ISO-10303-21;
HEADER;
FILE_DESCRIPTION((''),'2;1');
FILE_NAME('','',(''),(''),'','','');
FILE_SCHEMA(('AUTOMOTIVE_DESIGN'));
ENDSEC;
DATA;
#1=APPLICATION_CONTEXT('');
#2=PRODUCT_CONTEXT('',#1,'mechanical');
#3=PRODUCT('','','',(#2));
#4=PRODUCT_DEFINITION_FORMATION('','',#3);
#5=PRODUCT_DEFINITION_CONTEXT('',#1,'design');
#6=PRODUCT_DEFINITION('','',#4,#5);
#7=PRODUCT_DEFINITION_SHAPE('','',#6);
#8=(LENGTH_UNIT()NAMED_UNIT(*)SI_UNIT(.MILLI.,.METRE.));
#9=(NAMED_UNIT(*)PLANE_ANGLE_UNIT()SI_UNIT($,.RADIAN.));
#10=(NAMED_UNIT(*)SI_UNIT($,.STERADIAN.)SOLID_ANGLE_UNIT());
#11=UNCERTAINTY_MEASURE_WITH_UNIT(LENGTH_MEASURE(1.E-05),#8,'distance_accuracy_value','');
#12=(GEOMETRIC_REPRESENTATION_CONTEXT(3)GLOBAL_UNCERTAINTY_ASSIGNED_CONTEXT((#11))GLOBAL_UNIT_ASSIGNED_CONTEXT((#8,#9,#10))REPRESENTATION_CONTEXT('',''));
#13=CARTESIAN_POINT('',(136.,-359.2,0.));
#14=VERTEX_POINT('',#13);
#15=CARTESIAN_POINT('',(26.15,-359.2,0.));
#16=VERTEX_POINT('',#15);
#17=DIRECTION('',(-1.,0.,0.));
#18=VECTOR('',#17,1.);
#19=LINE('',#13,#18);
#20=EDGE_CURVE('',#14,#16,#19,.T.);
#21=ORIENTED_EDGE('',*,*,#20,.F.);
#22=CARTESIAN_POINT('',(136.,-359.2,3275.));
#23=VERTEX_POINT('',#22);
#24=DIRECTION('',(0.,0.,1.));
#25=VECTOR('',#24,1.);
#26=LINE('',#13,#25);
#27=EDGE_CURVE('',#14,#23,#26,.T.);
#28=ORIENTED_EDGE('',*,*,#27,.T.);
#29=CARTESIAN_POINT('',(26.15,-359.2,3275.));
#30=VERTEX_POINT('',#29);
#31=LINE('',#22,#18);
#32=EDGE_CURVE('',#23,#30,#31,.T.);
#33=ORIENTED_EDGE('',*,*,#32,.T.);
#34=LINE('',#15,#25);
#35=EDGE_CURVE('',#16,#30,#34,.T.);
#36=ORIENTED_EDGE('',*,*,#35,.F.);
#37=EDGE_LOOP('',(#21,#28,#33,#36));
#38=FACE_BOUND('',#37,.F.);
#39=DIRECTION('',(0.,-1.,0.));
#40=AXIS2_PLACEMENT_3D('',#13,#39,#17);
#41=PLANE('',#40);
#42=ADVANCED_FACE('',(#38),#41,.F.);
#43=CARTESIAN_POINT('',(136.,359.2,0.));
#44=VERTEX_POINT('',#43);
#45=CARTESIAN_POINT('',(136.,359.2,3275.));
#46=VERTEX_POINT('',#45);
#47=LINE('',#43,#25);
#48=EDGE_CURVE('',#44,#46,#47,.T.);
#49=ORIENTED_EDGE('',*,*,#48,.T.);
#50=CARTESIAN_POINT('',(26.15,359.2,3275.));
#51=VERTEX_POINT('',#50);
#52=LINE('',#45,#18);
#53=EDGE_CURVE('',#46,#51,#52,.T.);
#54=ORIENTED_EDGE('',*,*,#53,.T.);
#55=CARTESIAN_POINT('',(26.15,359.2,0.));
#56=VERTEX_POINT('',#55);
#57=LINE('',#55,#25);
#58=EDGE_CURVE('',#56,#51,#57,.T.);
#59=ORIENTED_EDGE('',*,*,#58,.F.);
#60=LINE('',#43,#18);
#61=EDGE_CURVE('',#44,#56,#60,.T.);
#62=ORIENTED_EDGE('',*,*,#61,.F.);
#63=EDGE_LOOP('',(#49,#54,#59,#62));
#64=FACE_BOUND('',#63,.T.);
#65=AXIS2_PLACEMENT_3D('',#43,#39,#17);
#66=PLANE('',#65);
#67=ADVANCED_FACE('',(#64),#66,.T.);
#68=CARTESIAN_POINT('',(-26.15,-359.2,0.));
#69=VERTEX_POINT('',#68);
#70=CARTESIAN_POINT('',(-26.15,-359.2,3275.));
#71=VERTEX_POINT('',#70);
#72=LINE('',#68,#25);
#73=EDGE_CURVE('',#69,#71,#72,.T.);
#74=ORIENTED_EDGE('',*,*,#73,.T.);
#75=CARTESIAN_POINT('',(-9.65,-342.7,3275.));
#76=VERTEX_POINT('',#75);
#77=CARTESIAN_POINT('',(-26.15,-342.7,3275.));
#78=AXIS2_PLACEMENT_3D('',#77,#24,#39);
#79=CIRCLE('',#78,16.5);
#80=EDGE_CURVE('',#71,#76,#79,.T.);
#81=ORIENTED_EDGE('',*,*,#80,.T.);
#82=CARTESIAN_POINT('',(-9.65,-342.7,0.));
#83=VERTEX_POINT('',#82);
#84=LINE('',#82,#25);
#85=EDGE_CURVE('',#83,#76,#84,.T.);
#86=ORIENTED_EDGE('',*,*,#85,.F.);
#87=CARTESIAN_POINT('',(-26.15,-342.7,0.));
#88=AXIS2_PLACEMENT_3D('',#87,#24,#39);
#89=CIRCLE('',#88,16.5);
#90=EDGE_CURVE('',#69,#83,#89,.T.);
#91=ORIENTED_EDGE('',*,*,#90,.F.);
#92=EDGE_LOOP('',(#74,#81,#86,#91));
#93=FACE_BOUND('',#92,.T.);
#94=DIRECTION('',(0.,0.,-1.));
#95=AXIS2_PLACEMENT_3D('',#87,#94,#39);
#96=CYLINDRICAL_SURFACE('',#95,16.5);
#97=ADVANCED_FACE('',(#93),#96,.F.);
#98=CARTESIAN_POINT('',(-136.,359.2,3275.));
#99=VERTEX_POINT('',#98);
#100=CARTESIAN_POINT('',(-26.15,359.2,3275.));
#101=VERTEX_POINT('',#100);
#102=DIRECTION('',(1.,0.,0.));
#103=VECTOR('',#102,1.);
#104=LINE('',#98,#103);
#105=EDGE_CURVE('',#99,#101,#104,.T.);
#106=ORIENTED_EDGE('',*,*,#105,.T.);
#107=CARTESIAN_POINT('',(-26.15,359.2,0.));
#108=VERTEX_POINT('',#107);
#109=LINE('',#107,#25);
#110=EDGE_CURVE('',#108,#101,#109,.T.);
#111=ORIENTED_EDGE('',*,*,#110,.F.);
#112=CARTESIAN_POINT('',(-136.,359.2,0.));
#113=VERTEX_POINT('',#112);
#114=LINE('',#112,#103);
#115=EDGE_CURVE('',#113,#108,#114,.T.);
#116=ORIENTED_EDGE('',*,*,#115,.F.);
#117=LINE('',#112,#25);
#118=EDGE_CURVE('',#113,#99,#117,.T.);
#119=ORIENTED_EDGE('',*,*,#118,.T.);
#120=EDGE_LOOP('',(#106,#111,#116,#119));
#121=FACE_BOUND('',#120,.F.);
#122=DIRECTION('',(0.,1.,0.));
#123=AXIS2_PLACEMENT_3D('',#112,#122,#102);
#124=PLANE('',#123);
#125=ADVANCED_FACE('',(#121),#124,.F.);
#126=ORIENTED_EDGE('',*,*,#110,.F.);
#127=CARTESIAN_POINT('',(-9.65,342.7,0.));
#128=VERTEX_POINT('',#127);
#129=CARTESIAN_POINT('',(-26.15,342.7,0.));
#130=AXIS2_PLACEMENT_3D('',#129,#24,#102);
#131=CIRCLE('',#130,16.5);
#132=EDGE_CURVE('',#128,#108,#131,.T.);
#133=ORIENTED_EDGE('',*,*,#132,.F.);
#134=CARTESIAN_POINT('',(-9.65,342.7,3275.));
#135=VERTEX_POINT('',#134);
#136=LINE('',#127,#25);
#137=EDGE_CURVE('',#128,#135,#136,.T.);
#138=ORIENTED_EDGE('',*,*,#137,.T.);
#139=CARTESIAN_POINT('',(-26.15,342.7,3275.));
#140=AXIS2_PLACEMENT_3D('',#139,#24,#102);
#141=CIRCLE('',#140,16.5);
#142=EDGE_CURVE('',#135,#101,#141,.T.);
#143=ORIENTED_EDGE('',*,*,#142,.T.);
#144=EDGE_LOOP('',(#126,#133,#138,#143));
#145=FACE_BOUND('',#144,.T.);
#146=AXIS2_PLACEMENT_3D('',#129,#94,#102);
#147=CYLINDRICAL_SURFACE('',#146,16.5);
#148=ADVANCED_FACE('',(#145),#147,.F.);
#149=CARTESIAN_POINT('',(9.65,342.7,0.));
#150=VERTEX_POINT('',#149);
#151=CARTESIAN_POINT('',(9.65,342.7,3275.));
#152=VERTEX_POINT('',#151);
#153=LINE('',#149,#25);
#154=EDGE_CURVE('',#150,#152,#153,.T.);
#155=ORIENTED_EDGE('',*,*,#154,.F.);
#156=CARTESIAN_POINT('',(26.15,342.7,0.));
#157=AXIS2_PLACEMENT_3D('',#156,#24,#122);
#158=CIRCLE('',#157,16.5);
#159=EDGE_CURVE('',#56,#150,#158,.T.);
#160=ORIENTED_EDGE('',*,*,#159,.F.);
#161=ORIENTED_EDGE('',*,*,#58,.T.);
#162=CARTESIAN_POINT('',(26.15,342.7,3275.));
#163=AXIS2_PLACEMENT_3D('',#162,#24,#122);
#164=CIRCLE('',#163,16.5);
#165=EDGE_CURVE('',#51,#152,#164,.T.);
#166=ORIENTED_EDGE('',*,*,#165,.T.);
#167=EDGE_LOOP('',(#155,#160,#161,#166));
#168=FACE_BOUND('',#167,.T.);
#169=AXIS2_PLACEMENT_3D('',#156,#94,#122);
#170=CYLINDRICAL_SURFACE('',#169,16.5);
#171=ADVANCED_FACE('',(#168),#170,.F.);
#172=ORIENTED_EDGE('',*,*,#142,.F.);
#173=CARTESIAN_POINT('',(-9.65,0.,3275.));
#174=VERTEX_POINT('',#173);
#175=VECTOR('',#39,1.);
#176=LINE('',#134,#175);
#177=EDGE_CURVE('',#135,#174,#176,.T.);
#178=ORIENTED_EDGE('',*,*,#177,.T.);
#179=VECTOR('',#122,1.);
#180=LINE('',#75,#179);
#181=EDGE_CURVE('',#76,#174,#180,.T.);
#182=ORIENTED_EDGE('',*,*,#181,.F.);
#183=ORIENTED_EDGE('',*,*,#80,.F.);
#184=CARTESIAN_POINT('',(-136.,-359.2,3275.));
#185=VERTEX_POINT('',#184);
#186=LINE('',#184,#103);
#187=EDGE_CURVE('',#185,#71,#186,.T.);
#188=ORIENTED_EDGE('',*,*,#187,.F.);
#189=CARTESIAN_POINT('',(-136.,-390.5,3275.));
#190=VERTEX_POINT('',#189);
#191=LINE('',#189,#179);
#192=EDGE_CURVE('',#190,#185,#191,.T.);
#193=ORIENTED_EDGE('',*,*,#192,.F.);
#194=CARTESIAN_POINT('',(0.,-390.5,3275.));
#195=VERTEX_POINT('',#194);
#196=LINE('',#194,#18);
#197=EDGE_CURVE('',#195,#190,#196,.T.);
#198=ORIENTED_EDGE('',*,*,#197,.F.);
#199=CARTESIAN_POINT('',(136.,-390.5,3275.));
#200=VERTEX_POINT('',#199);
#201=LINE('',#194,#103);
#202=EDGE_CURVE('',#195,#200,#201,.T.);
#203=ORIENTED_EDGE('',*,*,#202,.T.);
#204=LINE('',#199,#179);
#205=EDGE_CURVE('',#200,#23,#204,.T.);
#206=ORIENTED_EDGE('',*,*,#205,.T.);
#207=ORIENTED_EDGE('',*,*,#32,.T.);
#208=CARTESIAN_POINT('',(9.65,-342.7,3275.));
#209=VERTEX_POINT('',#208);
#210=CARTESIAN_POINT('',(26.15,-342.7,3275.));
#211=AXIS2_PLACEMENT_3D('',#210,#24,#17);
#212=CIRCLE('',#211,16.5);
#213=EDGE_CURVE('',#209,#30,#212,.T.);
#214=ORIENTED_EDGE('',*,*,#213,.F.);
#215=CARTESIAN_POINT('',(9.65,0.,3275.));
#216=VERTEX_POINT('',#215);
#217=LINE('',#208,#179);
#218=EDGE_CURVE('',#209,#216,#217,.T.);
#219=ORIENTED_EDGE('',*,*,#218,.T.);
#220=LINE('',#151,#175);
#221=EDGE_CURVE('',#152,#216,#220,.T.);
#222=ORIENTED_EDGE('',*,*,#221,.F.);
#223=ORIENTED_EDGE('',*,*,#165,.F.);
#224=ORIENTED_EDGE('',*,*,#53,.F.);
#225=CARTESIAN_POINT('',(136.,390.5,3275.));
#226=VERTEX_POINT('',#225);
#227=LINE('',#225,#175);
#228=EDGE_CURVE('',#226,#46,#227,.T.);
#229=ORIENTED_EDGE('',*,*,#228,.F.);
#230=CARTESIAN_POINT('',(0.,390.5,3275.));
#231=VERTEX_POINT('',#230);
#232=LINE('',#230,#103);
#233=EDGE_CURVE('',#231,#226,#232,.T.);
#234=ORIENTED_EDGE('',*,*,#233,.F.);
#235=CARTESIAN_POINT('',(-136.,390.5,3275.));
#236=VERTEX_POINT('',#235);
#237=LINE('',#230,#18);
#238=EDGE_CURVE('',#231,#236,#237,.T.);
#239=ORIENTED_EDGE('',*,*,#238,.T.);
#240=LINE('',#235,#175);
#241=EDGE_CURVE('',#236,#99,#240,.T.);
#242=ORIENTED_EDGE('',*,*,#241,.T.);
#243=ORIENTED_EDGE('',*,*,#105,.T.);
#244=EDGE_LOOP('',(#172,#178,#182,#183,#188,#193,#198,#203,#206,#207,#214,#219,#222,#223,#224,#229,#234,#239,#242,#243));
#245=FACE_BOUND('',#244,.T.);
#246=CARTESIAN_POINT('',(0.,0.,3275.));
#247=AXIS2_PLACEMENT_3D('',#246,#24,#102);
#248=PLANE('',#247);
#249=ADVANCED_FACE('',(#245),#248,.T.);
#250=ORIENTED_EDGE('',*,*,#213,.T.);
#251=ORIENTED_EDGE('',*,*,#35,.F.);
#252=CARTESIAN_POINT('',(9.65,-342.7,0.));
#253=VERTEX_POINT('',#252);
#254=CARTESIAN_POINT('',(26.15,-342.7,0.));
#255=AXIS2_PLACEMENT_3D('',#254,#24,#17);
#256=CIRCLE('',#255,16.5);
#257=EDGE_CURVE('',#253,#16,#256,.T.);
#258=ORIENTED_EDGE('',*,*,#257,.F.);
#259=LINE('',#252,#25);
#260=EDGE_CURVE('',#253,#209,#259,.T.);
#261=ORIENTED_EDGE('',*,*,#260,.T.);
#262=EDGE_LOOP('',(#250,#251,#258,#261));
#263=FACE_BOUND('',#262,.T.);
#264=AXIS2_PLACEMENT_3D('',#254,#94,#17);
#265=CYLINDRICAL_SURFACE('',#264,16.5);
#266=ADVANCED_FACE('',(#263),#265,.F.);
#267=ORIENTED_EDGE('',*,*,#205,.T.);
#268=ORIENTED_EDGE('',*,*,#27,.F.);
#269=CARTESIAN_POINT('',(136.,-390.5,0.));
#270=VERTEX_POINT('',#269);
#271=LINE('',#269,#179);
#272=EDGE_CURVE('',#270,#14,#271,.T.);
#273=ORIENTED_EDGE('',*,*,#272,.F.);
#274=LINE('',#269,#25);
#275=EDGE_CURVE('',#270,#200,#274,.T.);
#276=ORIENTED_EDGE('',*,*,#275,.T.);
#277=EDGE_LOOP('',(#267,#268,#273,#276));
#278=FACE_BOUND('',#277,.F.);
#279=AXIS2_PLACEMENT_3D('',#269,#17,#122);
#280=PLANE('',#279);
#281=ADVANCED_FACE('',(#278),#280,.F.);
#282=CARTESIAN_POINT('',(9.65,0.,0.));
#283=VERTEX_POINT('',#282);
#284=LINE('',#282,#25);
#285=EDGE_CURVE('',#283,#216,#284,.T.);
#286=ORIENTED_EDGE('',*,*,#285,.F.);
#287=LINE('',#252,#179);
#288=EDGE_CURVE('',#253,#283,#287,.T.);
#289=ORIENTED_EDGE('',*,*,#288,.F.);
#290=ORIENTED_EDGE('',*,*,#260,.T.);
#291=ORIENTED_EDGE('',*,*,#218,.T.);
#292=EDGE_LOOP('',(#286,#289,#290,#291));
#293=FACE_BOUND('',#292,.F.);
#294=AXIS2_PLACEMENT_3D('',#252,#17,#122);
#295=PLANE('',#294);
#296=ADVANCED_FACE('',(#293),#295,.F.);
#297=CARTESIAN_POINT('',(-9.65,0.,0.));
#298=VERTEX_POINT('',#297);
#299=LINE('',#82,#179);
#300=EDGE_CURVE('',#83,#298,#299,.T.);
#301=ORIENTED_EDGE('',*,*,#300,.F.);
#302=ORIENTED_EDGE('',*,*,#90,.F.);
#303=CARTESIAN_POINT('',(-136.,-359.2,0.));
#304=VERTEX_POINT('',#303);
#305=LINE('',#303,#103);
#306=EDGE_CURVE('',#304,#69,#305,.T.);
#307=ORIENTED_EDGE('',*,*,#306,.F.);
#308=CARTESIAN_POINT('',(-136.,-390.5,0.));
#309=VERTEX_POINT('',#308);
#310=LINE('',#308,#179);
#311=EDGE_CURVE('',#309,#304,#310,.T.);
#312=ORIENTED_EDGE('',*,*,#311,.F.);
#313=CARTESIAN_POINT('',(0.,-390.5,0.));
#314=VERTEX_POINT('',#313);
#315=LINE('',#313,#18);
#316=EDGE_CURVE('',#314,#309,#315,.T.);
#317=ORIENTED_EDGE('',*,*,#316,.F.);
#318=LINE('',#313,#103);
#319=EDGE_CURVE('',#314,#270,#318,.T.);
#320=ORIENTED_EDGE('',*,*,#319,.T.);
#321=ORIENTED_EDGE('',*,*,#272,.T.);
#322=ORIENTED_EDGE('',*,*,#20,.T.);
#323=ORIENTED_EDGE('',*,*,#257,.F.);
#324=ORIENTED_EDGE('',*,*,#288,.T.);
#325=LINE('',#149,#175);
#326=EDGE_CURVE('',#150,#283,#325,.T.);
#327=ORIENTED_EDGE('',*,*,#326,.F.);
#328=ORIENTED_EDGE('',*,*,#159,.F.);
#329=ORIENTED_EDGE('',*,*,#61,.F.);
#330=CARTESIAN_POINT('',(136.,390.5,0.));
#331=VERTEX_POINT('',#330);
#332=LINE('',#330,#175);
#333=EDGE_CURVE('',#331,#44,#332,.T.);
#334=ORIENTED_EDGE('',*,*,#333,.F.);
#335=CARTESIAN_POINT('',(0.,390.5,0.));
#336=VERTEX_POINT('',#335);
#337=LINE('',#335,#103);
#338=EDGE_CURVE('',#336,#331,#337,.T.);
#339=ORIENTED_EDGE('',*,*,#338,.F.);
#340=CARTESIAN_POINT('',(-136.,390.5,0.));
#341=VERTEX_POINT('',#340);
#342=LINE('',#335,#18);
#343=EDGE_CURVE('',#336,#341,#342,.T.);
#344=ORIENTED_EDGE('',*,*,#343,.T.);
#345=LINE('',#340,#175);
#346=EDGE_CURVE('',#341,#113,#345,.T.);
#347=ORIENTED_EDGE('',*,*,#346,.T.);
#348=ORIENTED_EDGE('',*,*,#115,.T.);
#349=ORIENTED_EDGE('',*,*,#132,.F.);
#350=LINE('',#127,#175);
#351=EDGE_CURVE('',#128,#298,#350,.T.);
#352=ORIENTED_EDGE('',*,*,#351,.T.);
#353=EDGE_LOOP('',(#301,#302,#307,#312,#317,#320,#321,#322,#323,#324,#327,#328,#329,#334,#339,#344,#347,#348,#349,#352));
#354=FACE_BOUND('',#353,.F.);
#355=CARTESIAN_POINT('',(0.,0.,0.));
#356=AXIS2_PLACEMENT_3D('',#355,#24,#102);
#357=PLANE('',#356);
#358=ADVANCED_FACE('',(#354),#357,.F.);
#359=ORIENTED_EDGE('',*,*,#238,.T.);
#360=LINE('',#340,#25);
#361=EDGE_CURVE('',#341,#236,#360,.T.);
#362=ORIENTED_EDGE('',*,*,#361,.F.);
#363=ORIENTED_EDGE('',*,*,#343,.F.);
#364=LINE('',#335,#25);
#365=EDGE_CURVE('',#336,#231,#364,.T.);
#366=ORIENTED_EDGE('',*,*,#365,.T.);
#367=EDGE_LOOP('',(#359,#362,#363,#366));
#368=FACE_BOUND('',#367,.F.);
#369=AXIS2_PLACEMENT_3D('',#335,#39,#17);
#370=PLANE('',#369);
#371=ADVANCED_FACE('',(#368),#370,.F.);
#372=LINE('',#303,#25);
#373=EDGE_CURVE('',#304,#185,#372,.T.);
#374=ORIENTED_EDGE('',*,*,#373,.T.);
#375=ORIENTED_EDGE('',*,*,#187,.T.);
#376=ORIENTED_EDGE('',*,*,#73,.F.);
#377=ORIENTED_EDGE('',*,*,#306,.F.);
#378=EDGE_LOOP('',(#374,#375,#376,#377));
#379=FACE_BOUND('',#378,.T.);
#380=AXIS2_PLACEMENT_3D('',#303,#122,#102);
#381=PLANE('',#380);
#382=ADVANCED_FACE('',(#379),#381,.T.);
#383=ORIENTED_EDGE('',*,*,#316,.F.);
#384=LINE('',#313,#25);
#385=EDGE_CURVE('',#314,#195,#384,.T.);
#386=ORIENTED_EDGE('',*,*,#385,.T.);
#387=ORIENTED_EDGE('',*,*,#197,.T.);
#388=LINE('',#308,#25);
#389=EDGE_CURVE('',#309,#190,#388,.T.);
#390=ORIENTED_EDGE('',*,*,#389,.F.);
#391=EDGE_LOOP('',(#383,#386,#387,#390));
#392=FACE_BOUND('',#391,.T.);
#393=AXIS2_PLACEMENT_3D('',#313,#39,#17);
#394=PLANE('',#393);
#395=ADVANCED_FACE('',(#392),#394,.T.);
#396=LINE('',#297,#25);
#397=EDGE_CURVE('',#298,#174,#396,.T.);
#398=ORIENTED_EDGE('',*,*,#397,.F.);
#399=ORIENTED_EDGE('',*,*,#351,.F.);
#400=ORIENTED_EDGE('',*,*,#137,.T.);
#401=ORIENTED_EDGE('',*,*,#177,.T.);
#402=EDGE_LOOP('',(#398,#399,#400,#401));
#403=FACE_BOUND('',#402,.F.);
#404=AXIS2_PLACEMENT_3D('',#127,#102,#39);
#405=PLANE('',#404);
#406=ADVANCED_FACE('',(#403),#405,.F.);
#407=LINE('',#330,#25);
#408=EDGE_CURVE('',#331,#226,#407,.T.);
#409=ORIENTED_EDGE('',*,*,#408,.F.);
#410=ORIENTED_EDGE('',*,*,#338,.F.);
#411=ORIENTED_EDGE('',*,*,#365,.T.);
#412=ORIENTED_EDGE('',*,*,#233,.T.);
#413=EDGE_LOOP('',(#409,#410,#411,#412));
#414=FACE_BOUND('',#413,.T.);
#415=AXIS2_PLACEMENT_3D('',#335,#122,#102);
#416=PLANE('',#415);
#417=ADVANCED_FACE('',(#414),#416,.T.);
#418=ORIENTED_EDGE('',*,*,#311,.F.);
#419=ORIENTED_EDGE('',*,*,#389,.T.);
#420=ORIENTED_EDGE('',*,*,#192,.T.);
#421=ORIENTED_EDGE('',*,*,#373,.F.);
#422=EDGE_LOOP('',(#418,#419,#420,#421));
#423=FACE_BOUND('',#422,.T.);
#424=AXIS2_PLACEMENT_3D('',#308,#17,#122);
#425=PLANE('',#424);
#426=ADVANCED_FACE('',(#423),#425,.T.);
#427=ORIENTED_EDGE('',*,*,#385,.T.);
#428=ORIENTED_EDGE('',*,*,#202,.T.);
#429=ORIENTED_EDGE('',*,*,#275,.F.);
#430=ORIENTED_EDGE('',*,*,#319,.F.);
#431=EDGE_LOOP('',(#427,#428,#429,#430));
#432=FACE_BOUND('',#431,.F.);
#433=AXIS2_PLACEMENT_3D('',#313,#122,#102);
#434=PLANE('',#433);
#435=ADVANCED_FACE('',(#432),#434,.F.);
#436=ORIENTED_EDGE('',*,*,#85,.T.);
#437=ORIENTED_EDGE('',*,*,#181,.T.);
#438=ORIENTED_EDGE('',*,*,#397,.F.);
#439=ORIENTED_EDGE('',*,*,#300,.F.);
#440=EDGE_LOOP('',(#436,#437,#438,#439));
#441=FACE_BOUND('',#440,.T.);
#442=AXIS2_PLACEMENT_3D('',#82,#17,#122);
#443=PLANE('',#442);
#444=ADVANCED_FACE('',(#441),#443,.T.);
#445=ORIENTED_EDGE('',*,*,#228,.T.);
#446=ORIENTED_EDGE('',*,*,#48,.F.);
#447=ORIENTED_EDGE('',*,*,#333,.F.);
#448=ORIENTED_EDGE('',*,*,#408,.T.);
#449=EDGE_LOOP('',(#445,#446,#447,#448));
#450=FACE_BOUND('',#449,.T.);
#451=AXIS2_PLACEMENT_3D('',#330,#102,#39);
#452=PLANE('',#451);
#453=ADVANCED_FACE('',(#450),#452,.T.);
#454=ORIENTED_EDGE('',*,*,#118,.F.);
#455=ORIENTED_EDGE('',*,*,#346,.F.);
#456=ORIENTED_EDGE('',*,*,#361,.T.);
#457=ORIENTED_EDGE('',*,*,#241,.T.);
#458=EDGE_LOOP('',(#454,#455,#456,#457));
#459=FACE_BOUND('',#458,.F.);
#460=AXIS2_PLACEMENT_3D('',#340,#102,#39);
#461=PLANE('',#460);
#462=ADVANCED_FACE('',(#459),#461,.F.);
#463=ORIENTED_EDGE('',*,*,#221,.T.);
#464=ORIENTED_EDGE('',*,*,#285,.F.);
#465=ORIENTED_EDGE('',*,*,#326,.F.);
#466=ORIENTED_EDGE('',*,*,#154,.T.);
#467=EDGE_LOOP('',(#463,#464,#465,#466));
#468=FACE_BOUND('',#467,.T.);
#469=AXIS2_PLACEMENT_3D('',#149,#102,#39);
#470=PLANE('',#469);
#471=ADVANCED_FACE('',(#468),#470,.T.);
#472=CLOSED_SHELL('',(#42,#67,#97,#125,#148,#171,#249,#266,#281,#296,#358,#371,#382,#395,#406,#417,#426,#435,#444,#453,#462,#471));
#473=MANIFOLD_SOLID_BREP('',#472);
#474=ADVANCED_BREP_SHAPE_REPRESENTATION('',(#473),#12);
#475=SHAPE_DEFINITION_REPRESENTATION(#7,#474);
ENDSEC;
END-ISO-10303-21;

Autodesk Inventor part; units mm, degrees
ref_plane "YZ Plane" through (0, 0, 0) normal (1, 0, 0) x (0, 1, 0)
ref_plane "Start plane" through (0, 0, 0) normal (0, 0, 1) x (1, 0, 0)
ref_plane "End plane" through (0, 0, 3275) normal (0, 0, 1) x (1, 0, 0)
sketch "Sketch" plane through (0, 0, 0) normal (0, 0, 1) x (1, 0, 0)
  line L0 (-136, -390.5) -> (-136, -359.2)
  line L1 (-136, -359.2) -> (-26.15, -359.2)
  line L2 (-9.65, -342.7) -> (-9.65, 0)
  line L3 (-9.65, 0) -> (0, 0) construction
  line L4 (0, 0) -> (0, -390.5) construction
  line L5 (0, -390.5) -> (-136, -390.5)
  line L6 (-60, 0) -> (80, 0) construction
  line L7 (0, -60) -> (0, 80) construction
  line L8 (136, -390.5) -> (136, -359.2)
  line L9 (136, -359.2) -> (26.15, -359.2)
  line L10 (9.65, -342.7) -> (9.65, 0)
  line L11 (9.65, 0) -> (0, 0) construction
  line L12 (0, -390.5) -> (136, -390.5)
  line L13 (-136, 390.5) -> (-136, 359.2)
  line L14 (-136, 359.2) -> (-26.15, 359.2)
  line L15 (-9.65, 342.7) -> (-9.65, 0)
  line L16 (0, 390.5) -> (-136, 390.5)
  line L17 (136, 390.5) -> (136, 359.2)
  line L18 (136, 359.2) -> (26.15, 359.2)
  line L19 (0, 390.5) -> (136, 390.5)
  line L20 (9.65, 342.7) -> (9.65, 0)
  arc A0 (-9.65, 342.7) -> (-26.15, 359.2) centre (-26.15, 342.7) ccw
  arc A1 (26.15, 359.2) -> (9.65, 342.7) centre (26.15, 342.7) ccw
  arc A2 (9.65, -342.7) -> (26.15, -359.2) centre (26.15, -342.7) ccw
  arc A3 (-26.15, -359.2) -> (-9.65, -342.7) centre (-26.15, -342.7) ccw
  line L21 (0, 108) -> (0, -88) construction
  line L22 (-88, 0) -> (108, 0) construction
  point P0 (-9.65, -359.2)
  point P1 (9.65, -359.2)
  point P2 (-9.65, 359.2)
  point P3 (9.65, 359.2)
  dimension "d1" = 390.5
  dimension "d2" = 31.3
  dimension "d3" = 136
  dimension "d4" = 9.65
  dimension "d10" = 16.5
extrude "Body" add sketch "Sketch" along normal up to surface (3275 mm away) from surface at 0
sketch "Sketch4" plane through (0, 0, 0) normal (0, 0, 1) x (1, 0, 0)
  line L0 (0, 0) -> (10, 0)
ref_plane "Work Plane3" through (0, 0, 0) normal (0, -1, 0) x (1, 0, 0)
sketch "Sketch5" plane through (0, 0, 0) normal (0, -1, 0) x (1, 0, 0)
  line L0 (-2, 0) -> (12, 0) projected
  line L1 (-2, 3275) -> (12, 3275) projected
  dimension "d14" = 3275
equation "\"d1\" = 0.5 * G_H"
equation "\"d2\" = G_T1"
equation "\"d3\" = 0.5 * G_W"
equation "\"d4\" = 0.5 * G_T"
equation "\"d10\" = G_IR"
equation "\"d5\" = G_L"
equation "\"G_W\" = 272"
equation "\"G_H\" = 781"
equation "\"G_T\" = 19.3"
equation "\"G_T1\" = 31.3"
equation "\"G_IR\" = 16.5"
equation "\"G_L\" = d14"
equation "\"G_OFFSET_START\" = 0"
equation "\"G_OFFSET_END\" = 0"
equation "\"d12\" = G_OFFSET_END + B_L"
equation "\"B_L\" = 3275"
properties part number "AS 3679-1990 - 760 UB - 244 - 3275" material "Steel, Mild"
